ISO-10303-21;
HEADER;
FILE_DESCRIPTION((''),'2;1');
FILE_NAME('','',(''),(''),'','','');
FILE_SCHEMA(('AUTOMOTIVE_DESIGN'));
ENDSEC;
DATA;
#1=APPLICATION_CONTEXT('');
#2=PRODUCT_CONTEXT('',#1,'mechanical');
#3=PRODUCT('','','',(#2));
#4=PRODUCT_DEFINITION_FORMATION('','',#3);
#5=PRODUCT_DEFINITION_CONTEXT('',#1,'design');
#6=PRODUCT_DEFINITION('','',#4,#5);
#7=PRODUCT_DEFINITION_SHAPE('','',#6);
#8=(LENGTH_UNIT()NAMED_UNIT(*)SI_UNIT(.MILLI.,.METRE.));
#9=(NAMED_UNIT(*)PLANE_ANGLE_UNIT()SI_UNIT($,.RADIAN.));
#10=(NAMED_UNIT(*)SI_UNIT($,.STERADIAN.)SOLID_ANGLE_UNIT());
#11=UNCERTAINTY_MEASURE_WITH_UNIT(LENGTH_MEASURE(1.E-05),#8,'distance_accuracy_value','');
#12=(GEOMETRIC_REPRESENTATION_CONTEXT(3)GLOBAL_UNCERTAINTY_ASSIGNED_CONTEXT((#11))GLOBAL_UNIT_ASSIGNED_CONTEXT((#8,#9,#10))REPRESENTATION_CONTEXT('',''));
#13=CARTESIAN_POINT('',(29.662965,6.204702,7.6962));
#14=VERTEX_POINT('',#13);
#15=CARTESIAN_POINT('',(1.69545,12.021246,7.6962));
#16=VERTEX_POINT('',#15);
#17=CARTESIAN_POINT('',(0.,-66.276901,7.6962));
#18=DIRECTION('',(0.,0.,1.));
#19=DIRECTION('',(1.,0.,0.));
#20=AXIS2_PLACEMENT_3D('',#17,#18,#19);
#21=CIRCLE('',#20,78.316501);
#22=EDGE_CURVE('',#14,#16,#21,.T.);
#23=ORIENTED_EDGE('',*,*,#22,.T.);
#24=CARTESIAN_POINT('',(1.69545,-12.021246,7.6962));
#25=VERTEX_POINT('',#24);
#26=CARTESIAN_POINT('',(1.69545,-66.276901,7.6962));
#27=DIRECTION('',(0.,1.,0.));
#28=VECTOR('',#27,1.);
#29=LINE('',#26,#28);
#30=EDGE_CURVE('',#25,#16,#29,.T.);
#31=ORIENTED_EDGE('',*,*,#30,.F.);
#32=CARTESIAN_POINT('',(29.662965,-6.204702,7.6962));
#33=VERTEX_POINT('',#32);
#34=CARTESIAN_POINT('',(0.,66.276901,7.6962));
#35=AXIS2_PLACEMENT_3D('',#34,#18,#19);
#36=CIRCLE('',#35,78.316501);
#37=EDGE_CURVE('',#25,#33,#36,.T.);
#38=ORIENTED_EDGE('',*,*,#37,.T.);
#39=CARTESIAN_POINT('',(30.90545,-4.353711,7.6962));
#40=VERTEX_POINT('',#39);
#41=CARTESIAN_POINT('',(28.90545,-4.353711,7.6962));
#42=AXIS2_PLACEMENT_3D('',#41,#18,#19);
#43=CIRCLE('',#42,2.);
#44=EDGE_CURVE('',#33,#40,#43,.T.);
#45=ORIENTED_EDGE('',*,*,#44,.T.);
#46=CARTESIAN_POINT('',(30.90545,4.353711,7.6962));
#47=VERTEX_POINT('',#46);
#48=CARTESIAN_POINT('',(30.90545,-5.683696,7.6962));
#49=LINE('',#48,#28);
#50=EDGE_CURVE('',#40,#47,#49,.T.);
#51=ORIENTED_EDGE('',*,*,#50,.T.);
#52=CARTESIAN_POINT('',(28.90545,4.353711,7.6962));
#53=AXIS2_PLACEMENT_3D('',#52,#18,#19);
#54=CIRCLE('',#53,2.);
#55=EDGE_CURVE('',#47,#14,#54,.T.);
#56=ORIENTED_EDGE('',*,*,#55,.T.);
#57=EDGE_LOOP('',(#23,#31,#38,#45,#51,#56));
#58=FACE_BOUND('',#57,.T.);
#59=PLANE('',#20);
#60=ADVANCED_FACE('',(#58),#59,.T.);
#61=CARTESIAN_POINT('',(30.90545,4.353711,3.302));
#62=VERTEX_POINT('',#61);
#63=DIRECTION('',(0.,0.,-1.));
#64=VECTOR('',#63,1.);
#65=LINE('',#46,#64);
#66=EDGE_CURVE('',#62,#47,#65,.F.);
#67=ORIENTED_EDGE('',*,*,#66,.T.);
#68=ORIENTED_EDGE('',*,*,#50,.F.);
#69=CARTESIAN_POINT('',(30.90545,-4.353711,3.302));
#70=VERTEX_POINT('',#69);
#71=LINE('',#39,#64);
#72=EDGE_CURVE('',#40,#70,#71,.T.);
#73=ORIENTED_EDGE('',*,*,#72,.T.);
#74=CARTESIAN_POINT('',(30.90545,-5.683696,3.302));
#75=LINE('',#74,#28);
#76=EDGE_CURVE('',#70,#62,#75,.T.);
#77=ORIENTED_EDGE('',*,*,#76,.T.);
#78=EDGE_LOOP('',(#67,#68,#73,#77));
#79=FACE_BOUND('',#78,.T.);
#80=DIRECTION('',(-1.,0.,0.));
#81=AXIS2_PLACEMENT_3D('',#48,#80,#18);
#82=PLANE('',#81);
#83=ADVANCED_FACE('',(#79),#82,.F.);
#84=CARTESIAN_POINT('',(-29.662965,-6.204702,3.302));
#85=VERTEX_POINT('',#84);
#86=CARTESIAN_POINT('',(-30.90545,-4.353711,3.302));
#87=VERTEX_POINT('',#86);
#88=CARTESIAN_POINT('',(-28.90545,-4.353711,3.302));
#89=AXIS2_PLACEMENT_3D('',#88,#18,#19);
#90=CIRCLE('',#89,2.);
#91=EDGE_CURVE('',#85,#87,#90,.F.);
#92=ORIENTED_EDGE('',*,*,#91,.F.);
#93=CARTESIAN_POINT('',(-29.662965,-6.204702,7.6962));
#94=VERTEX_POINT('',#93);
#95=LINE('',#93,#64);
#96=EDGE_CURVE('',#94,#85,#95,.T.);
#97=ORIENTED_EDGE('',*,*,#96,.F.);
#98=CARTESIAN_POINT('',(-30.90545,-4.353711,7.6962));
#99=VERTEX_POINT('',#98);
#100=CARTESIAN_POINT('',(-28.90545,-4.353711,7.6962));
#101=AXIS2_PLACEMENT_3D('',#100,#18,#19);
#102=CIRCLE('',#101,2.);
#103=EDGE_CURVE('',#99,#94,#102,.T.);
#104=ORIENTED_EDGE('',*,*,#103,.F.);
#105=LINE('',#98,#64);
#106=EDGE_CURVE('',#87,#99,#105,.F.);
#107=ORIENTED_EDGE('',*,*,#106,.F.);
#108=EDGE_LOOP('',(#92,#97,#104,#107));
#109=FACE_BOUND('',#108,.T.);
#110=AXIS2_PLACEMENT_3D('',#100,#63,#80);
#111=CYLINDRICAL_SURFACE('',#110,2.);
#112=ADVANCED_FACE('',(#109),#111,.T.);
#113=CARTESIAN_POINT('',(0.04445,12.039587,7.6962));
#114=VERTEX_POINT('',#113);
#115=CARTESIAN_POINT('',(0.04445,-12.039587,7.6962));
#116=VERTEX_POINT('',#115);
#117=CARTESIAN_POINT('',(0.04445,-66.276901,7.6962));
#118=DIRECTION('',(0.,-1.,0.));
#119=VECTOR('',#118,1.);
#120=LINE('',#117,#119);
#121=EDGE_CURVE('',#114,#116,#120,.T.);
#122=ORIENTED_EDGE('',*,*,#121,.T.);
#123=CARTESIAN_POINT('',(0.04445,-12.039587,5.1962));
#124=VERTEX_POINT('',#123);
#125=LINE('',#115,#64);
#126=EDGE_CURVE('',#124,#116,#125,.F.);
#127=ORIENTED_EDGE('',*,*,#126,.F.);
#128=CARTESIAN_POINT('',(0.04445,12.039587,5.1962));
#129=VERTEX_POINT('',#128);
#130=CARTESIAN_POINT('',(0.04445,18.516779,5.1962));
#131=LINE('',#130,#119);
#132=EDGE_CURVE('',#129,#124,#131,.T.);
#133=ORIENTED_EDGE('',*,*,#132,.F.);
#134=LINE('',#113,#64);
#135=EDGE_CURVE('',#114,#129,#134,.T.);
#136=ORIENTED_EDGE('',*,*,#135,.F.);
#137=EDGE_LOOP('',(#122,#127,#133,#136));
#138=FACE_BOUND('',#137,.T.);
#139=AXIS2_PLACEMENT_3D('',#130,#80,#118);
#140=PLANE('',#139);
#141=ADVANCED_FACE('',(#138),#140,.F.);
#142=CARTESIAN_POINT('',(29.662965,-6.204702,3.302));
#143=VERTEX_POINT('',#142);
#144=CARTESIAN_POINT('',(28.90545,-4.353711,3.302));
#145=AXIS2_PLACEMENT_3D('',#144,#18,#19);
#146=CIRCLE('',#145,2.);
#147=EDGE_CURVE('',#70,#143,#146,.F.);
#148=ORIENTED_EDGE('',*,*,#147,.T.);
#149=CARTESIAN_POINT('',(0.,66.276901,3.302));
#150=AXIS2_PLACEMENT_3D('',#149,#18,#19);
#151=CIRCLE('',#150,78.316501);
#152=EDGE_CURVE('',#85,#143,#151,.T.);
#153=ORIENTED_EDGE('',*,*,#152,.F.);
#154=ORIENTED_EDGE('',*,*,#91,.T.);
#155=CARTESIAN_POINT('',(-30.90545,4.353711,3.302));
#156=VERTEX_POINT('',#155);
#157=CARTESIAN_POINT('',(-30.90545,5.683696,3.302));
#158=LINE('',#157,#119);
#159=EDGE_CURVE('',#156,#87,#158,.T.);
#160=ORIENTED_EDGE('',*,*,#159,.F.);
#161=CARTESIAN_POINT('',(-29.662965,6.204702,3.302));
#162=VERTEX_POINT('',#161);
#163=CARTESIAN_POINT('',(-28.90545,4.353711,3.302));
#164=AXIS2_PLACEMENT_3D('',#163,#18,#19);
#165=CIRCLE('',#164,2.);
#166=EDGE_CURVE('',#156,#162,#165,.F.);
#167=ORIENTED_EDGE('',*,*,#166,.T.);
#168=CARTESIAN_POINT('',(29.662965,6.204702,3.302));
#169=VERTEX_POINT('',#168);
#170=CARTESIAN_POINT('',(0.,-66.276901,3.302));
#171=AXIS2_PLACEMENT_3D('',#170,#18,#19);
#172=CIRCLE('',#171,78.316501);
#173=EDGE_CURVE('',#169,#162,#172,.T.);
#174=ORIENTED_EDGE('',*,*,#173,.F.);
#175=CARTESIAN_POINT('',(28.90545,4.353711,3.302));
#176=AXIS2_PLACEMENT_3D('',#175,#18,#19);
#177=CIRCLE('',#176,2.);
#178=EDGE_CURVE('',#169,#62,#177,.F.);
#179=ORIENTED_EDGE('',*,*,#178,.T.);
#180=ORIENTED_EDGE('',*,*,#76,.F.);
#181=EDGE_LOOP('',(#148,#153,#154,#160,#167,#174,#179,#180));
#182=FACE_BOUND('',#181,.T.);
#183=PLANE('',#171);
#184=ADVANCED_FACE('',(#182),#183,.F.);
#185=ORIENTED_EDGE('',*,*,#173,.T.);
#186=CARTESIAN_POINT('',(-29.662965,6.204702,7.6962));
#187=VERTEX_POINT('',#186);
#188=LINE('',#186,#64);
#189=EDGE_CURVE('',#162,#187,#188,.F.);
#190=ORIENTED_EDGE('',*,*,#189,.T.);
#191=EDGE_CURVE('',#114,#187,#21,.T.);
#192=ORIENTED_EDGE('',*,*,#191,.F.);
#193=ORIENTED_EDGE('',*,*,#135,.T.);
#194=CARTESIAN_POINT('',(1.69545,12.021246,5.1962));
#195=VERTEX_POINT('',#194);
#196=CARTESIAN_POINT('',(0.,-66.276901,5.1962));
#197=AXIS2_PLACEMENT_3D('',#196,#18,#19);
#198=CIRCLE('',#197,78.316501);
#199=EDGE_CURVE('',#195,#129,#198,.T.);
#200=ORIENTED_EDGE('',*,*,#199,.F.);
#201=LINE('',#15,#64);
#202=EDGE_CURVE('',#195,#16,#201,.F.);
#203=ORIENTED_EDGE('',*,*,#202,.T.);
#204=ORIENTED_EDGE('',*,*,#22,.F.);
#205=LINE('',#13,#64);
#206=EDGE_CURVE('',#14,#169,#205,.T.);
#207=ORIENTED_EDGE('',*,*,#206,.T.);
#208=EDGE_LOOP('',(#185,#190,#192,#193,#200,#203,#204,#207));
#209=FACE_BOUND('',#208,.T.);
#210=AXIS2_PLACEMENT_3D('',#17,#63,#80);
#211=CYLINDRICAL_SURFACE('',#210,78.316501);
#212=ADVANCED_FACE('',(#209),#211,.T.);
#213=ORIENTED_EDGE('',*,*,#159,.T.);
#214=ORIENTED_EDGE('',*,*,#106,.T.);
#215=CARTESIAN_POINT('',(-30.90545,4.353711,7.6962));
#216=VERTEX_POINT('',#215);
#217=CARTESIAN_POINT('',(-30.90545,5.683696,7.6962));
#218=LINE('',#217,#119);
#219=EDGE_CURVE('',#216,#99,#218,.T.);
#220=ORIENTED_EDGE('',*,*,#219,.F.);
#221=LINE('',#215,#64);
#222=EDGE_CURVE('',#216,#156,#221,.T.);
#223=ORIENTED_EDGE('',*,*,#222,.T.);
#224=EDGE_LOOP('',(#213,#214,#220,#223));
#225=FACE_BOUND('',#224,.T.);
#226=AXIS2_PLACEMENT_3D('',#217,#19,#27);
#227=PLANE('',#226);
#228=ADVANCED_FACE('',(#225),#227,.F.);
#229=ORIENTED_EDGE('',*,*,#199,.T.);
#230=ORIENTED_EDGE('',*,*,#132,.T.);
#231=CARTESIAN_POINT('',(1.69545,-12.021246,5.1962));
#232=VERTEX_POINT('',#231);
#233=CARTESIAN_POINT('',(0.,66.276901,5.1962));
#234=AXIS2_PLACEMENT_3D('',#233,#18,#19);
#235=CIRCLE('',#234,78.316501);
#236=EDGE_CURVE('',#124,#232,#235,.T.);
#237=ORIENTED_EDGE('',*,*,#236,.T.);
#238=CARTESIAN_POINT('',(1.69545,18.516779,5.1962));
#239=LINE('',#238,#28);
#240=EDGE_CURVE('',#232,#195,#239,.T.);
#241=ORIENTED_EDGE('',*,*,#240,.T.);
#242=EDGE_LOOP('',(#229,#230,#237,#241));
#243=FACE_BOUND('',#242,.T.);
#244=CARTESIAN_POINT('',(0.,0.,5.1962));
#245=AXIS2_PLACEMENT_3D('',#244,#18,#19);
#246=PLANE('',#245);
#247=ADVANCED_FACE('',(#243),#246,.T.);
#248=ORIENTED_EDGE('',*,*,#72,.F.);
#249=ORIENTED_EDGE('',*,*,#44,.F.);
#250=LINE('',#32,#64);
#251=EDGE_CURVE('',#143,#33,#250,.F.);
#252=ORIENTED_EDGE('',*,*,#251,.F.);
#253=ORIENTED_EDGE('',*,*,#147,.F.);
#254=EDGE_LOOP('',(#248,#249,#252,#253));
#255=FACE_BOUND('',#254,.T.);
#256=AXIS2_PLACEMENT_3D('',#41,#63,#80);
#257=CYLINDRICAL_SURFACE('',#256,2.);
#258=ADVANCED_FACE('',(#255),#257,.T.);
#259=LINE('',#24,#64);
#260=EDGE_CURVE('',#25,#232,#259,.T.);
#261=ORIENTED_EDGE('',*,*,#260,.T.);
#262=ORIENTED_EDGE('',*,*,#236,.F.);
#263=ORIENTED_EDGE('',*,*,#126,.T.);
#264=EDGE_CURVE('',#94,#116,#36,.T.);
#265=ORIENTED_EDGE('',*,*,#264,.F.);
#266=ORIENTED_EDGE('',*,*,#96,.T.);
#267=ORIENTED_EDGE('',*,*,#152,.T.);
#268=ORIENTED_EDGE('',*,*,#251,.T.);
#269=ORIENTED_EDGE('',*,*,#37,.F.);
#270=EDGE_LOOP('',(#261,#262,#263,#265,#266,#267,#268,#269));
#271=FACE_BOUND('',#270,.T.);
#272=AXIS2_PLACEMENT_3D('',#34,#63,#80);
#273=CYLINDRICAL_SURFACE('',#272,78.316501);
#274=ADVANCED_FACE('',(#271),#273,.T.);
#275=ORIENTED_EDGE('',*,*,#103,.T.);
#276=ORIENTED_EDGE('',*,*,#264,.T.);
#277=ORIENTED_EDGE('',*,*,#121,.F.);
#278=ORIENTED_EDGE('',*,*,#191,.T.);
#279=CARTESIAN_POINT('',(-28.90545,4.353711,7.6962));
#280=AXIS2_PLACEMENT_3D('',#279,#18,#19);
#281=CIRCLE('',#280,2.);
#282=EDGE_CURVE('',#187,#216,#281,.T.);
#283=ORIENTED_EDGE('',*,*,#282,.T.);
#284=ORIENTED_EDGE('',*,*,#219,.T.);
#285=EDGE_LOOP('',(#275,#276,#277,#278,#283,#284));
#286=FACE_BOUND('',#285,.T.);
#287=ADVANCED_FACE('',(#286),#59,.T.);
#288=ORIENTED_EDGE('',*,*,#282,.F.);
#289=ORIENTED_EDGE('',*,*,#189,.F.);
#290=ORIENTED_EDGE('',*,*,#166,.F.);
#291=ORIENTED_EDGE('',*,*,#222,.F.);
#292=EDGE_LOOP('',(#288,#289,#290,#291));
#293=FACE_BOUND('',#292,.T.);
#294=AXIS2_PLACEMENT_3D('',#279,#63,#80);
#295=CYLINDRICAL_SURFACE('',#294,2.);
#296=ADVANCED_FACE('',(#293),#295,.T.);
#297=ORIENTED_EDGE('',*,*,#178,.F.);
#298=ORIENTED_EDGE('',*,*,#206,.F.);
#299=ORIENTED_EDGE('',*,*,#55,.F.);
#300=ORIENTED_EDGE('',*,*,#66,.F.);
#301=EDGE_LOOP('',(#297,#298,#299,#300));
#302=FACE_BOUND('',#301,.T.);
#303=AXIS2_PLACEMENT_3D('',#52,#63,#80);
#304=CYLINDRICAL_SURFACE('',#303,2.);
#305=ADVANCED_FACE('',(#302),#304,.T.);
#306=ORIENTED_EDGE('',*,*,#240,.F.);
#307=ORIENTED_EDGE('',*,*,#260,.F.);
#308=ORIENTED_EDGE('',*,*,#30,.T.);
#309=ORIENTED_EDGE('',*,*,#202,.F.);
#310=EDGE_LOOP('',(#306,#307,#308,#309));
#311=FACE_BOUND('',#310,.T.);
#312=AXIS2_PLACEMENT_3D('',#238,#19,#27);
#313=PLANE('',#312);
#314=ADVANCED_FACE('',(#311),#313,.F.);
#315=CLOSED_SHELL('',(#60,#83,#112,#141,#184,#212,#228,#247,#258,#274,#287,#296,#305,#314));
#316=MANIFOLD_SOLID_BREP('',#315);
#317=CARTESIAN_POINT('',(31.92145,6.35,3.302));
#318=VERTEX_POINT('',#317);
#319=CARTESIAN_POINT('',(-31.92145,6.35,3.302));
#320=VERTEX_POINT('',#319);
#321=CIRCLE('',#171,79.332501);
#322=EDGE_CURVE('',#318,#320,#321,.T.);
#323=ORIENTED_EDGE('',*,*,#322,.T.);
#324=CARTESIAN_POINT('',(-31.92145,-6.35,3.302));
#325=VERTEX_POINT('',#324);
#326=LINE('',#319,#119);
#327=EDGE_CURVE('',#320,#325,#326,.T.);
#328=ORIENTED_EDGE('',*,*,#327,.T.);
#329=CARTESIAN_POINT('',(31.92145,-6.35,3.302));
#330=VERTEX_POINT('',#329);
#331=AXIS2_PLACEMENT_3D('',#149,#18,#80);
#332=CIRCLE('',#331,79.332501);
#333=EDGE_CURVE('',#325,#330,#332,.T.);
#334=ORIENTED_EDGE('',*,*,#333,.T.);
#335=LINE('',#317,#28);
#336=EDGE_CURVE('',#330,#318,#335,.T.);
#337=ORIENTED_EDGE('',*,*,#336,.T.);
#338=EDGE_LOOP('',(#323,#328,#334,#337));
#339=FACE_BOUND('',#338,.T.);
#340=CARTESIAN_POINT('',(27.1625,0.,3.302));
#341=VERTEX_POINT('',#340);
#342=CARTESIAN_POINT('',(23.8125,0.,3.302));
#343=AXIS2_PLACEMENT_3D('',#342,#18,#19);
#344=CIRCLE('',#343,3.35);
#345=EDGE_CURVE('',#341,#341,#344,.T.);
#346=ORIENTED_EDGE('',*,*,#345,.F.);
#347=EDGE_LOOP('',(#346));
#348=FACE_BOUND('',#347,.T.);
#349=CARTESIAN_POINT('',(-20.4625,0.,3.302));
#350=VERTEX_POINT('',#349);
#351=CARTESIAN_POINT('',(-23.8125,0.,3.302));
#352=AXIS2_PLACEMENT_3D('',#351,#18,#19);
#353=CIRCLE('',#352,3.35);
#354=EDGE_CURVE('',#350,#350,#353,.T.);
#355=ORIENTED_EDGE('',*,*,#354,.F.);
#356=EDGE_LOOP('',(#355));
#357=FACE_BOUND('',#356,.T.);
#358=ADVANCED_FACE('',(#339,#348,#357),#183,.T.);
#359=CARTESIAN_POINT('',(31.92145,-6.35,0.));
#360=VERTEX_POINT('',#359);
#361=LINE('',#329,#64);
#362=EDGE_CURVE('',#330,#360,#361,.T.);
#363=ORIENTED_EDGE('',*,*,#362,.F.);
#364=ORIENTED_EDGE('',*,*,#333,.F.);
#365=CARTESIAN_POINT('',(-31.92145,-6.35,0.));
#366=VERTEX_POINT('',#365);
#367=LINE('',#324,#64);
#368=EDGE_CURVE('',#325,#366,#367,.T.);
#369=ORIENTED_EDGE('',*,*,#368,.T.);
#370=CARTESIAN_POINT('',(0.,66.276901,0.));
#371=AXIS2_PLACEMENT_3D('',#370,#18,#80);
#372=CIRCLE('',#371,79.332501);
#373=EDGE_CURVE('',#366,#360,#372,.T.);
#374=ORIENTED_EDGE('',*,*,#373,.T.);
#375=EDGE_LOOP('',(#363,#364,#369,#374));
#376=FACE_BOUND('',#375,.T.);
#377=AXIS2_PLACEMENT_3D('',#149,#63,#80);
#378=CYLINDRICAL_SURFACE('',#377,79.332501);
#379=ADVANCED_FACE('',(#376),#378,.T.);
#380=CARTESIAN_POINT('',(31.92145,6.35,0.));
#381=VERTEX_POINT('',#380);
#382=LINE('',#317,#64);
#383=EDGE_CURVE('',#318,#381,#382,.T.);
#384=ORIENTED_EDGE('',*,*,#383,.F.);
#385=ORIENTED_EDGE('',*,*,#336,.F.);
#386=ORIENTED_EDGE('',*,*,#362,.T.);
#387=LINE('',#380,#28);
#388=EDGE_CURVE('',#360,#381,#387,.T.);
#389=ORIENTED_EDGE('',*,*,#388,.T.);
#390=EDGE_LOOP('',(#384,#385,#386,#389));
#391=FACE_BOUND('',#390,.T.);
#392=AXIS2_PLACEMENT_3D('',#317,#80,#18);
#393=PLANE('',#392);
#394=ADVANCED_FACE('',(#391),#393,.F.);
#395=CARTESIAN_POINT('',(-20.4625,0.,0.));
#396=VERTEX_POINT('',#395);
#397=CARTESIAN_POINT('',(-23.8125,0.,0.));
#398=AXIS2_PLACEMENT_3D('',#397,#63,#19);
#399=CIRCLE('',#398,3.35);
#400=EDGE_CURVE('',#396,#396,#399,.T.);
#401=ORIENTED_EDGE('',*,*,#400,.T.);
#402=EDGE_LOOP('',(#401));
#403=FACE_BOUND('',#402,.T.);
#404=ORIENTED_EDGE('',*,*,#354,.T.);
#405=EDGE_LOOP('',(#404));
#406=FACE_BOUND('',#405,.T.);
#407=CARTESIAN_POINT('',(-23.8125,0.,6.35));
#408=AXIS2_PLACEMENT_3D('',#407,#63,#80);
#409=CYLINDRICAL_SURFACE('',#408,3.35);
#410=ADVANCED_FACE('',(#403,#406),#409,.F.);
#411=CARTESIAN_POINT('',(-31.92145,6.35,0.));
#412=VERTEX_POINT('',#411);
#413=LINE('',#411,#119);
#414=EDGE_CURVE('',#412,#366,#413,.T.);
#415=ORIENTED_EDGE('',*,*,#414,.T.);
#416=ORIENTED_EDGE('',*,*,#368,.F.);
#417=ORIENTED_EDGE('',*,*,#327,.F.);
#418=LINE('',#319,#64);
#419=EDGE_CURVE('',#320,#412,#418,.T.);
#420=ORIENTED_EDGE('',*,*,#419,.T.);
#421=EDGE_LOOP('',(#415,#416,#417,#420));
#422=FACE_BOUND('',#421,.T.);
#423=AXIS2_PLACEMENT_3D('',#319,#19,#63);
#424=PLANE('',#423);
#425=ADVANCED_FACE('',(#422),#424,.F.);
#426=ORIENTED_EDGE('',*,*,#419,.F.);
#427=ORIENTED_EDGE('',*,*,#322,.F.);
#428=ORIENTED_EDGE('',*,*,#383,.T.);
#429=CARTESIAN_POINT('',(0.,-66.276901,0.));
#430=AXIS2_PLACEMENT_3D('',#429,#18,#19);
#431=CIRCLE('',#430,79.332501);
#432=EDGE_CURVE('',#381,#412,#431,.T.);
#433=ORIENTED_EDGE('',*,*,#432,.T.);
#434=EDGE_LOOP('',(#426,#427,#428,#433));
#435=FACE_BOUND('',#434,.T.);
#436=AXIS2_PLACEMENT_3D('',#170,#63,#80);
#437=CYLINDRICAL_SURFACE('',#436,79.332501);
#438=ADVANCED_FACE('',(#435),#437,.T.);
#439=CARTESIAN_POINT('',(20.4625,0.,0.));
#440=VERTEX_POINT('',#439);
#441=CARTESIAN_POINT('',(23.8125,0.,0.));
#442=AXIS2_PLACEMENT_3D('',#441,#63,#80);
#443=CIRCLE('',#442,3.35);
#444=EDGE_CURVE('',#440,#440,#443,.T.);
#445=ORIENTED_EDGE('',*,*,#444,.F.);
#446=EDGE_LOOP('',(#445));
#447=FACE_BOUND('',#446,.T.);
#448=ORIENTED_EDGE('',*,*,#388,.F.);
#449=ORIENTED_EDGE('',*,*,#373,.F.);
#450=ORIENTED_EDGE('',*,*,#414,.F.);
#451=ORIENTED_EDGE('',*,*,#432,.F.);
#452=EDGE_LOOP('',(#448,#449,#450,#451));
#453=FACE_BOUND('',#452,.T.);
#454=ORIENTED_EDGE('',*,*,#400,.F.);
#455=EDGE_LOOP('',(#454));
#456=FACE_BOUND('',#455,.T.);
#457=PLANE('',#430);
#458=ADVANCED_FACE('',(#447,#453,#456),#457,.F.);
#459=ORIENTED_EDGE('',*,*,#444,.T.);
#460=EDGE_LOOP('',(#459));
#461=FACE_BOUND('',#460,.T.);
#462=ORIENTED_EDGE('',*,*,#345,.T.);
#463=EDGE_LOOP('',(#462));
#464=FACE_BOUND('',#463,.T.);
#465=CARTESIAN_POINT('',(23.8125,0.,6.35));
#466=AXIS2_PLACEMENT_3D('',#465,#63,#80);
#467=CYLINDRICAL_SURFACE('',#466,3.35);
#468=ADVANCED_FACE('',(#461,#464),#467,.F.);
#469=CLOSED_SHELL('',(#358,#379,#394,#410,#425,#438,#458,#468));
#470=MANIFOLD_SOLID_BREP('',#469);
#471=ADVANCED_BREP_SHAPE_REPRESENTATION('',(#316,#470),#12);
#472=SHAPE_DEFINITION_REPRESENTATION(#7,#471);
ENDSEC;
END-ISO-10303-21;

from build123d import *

# Parameters (mm, degrees)
BOSS_EXTRUDE1_DEPTH = 3.302
BOSS_EXTRUDE2_DEPTH = 4.3942
SKETCH3_R           = 3.35
CUT_EXTRUDE1_DEPTH  = 6.35
SKETCH6_W           = 1.651
SKETCH6_H           = 37.625569531
CUT_EXTRUDE2_DEPTH  = 2.5
FILLET1_R           = 2


with BuildPart() as part:
    # Sketch1 → Boss-Extrude1 (new body)
    with BuildSketch(Plane.XY):
        with BuildLine():
            Line((-31.92145, 6.35), (-31.92145, -6.35))
            ThreePointArc((-31.92145, -6.35), (0, -13.0556), (31.92145, -6.35))
            Line((31.92145, -6.35), (31.92145, 6.35))
            ThreePointArc((31.92145, 6.35), (0, 13.0556), (-31.92145, 6.35))
        make_face()
    extrude(amount=BOSS_EXTRUDE1_DEPTH)

    # Sketch3 → Cut-Extrude1 (cut)
    with BuildSketch(Plane(origin=(0, 0, 0), x_dir=(-1, 0, 0), z_dir=(0, 0, -1))):
        with Locations((-23.8125, 0)):
            Circle(SKETCH3_R)
        with Locations(Location((23.8125, 0, 0), (0, 0, 180))):
            Circle(SKETCH3_R)
    extrude(amount=-CUT_EXTRUDE1_DEPTH, mode=Mode.SUBTRACT)


with BuildPart() as body_2:
    # Sketch2 → Boss-Extrude2 (new body)
    with BuildSketch(Plane.XY.offset(3.302)):
        with BuildLine():
            Line((-30.90545, 5.683695808), (-30.90545, -5.683695808))
            ThreePointArc((-30.90545, -5.683695808), (0, -12.0396), (30.90545, -5.683695808))
            Line((30.90545, -5.683695808), (30.90545, 5.683695808))
            ThreePointArc((30.90545, 5.683695808), (0, 12.0396), (-30.90545, 5.683695808))
        make_face()
    extrude(amount=BOSS_EXTRUDE2_DEPTH)

    # Sketch6 → Cut-Extrude2 (cut)
    with BuildSketch(Plane.XY.offset(7.6962)):
        with Locations((0.86995, -0.296005355)):
            Rectangle(SKETCH6_W, SKETCH6_H)
    extrude(amount=-CUT_EXTRUDE2_DEPTH, mode=Mode.SUBTRACT)

    # Fillet1
    fillet1_edges = [body_2.edges().sort_by_distance(p)[0] for p in [
        (30.90545, 5.683695808, 5.4991),
        (30.90545, -5.683695808, 5.4991),
        (-30.90545, -5.683695808, 5.4991),
        (-30.90545, 5.683695808, 5.4991),
    ]]
    fillet(fillet1_edges, radius=FILLET1_R)


solid = Compound([part.part, body_2.part])
